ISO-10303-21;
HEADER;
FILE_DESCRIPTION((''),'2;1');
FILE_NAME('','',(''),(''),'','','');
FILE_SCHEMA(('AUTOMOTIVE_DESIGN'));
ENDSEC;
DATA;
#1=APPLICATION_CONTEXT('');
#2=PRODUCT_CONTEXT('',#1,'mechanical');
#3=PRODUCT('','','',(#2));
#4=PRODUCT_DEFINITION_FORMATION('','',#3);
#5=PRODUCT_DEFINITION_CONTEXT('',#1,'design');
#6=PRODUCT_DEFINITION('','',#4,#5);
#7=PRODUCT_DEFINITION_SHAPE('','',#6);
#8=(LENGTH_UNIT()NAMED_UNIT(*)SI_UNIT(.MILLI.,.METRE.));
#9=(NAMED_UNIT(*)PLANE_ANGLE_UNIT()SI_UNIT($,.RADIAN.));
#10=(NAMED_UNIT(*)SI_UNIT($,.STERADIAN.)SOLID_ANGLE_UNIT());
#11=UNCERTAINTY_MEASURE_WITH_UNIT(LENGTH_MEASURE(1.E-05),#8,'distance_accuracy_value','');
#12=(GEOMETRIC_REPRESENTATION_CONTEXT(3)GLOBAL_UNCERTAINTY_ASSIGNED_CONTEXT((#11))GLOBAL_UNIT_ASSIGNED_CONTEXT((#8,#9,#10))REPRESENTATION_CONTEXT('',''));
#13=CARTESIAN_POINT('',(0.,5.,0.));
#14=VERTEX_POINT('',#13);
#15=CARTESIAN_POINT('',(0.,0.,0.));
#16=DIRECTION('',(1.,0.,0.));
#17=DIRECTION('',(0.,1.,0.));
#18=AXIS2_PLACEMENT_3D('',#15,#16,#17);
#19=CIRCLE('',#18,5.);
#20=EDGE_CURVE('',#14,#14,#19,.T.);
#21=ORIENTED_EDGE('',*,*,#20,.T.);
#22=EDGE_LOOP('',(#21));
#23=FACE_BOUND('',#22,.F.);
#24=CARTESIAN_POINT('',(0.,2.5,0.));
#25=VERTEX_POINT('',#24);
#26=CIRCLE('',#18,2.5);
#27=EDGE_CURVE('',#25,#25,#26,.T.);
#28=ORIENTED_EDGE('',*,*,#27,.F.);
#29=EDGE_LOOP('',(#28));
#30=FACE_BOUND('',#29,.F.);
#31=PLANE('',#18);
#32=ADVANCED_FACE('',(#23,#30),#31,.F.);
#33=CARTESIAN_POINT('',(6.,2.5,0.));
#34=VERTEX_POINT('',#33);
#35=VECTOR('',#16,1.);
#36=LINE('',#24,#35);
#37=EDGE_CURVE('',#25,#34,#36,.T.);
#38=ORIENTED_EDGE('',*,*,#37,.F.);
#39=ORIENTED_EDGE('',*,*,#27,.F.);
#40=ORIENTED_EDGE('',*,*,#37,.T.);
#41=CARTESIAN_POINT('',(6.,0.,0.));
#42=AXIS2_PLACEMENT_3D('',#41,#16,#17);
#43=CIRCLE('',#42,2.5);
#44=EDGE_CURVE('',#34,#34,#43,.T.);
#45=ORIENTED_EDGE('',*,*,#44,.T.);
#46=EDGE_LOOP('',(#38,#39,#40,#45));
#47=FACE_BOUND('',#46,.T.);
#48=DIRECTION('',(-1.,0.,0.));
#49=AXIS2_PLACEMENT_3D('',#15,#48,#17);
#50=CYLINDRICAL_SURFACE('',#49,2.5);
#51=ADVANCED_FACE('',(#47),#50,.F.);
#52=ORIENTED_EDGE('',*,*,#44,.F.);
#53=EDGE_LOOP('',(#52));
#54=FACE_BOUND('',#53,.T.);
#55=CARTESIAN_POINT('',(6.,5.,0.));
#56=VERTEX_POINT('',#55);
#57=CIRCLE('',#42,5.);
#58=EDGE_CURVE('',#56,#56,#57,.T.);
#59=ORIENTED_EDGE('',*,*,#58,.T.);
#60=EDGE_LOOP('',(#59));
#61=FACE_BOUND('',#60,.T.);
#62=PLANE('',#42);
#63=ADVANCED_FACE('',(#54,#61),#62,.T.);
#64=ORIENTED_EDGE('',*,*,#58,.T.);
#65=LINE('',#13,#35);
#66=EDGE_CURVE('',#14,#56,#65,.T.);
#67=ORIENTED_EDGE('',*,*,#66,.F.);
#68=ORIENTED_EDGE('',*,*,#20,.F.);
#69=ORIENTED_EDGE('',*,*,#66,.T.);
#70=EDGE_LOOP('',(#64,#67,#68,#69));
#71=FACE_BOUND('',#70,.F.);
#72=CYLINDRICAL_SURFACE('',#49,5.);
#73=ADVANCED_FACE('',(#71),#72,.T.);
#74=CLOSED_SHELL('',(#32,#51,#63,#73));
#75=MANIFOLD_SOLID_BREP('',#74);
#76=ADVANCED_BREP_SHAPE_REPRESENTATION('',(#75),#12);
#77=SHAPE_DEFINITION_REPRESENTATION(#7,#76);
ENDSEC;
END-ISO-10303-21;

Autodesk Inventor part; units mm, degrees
ref_plane "YZ Plane" through (0, 0, 0) normal (1, 0, 0) x (0, 1, 0)
ref_plane "XZ Plane" through (0, 0, 0) normal (0, 1, 0) x (-1, 0, 0)
ref_plane "XY Plane" through (0, 0, 0) normal (0, 0, 1) x (1, 0, 0)
sketch "Sketch1" plane through (0, 0, 0) normal (1, 0, 0) x (0, 1, 0)
  circle A0 centre (0, 0) radius 2.5
  circle A1 centre (0, 0) radius 5
  dimension "d0" = 5
  dimension "d1" = 10
extrude "Extrusion1" add sketch "Sketch1" along normal blind 6
properties part number "Alu_Spacer" material "Aluminum 6061"
